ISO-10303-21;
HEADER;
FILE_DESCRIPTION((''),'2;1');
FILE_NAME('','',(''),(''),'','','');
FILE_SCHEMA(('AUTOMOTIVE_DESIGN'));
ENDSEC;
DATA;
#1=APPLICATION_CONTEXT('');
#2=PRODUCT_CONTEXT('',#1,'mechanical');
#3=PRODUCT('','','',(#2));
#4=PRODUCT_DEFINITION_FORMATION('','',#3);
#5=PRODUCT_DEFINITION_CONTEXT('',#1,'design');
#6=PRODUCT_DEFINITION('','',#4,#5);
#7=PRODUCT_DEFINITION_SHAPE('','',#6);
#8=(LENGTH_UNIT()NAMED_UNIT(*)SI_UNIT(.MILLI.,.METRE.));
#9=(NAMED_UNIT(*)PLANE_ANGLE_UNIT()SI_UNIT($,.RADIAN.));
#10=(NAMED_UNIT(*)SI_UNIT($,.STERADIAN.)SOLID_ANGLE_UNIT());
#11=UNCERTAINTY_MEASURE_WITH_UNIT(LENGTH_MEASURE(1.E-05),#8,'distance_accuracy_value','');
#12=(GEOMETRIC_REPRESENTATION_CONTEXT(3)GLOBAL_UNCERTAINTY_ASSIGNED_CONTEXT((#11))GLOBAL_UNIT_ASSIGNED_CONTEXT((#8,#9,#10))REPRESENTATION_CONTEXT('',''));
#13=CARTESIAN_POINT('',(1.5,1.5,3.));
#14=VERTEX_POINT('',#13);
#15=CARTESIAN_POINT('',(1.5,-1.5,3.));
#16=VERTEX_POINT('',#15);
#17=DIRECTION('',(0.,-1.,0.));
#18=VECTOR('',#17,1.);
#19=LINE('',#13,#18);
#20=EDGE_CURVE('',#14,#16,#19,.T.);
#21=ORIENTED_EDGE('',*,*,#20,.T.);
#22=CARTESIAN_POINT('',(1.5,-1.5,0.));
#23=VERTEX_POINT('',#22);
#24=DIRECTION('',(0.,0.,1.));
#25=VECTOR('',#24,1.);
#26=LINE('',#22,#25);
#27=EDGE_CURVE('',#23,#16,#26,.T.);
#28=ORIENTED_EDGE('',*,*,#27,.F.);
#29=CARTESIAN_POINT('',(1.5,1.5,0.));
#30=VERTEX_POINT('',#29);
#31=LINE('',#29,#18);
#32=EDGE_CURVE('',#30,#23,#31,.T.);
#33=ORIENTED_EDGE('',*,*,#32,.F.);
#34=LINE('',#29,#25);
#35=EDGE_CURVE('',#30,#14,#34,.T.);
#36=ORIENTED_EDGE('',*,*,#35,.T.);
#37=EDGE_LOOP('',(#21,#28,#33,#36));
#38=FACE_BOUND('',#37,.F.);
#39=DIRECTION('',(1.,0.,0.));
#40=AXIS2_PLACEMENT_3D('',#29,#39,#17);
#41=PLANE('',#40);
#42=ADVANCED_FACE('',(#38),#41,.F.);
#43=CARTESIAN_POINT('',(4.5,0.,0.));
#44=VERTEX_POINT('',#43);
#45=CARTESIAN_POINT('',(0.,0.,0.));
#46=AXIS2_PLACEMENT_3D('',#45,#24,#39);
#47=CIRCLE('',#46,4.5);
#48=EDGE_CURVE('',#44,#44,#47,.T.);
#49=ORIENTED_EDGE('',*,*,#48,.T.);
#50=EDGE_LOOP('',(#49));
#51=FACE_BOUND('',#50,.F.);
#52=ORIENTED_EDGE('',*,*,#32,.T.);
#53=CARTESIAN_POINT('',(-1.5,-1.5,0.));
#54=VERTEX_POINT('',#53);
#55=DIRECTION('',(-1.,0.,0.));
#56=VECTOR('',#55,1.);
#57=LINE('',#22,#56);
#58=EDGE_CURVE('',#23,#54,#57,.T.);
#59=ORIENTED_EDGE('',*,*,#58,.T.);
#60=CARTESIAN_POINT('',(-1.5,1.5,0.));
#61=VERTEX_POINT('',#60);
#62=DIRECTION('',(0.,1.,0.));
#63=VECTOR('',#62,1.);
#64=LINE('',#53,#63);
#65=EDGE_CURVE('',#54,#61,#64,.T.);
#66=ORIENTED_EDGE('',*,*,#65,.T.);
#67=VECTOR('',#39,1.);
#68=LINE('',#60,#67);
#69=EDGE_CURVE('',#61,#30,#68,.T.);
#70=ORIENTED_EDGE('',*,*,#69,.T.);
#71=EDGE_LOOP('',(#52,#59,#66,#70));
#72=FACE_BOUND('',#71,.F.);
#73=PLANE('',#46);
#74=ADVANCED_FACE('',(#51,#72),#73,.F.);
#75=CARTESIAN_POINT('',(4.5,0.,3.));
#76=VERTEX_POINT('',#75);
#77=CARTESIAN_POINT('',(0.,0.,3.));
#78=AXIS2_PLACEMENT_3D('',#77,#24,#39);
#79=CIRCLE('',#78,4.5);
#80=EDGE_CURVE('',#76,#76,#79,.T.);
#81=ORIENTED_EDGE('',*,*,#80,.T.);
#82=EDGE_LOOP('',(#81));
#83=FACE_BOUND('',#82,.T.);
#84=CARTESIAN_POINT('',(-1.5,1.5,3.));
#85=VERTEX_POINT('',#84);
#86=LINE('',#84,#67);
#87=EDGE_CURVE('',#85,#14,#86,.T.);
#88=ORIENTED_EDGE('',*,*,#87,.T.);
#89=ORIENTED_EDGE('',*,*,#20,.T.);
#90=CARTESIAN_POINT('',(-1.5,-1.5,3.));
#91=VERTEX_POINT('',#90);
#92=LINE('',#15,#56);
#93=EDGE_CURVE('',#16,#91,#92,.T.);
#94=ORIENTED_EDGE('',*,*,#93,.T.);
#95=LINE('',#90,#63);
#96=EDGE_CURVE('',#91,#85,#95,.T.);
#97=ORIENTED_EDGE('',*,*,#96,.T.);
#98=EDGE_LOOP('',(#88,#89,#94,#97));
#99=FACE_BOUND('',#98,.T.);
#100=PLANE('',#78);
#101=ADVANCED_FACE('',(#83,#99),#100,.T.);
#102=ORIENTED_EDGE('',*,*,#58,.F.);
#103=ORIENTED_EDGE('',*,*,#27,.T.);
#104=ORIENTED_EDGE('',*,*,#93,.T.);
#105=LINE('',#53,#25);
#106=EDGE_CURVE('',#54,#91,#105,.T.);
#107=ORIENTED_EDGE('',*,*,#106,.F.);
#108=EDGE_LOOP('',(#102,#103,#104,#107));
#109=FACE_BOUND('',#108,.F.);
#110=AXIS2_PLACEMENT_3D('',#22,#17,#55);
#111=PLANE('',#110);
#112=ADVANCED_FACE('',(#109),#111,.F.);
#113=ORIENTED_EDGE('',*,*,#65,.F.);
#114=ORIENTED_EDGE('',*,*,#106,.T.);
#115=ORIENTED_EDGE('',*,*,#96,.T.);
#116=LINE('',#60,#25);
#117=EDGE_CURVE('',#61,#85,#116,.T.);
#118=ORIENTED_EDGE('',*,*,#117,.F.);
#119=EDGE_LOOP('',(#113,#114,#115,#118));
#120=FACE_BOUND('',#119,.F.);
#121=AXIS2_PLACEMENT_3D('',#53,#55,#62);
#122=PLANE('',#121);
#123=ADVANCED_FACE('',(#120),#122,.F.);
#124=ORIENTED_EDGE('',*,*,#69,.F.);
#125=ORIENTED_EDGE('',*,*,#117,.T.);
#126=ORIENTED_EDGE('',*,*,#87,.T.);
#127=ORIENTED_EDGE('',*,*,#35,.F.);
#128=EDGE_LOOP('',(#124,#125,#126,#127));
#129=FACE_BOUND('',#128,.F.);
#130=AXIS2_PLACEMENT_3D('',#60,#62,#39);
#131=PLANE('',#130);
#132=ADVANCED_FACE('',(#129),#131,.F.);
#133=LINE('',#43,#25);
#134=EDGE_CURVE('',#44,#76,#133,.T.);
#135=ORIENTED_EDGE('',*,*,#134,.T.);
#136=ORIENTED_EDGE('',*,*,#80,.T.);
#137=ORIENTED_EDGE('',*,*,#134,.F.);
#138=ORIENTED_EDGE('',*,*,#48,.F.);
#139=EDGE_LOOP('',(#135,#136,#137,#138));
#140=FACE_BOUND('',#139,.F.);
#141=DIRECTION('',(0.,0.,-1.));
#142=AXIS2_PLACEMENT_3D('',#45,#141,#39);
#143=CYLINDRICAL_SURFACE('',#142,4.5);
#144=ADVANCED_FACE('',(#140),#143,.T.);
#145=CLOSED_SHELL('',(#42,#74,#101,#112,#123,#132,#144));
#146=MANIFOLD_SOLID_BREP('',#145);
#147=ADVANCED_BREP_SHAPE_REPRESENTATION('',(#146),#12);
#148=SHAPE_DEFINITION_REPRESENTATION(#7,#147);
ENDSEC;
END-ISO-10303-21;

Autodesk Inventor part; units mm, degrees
ref_plane "YZ Plane" through (0, 0, 0) normal (1, 0, 0) x (0, 1, 0)
ref_plane "XZ Plane" through (0, 0, 0) normal (0, 1, 0) x (-1, 0, 0)
ref_plane "XY Plane" through (0, 0, 0) normal (0, 0, 1) x (1, 0, 0)
sketch "Esboço1" plane through (0, 0, 0) normal (0, 0, 1) x (1, 0, 0)
  circle A0 centre (0, 0) radius 4.5
  line L0 (-1.5, 1.5) -> (1.5, 1.5)
  line L1 (1.5, 1.5) -> (1.5, -1.5)
  line L2 (1.5, -1.5) -> (-1.5, -1.5)
  line L3 (-1.5, -1.5) -> (-1.5, 1.5)
extrude "Extrusão1" add sketch "Esboço1" along normal blind 3
properties part number "TRAVA_HELICE"
